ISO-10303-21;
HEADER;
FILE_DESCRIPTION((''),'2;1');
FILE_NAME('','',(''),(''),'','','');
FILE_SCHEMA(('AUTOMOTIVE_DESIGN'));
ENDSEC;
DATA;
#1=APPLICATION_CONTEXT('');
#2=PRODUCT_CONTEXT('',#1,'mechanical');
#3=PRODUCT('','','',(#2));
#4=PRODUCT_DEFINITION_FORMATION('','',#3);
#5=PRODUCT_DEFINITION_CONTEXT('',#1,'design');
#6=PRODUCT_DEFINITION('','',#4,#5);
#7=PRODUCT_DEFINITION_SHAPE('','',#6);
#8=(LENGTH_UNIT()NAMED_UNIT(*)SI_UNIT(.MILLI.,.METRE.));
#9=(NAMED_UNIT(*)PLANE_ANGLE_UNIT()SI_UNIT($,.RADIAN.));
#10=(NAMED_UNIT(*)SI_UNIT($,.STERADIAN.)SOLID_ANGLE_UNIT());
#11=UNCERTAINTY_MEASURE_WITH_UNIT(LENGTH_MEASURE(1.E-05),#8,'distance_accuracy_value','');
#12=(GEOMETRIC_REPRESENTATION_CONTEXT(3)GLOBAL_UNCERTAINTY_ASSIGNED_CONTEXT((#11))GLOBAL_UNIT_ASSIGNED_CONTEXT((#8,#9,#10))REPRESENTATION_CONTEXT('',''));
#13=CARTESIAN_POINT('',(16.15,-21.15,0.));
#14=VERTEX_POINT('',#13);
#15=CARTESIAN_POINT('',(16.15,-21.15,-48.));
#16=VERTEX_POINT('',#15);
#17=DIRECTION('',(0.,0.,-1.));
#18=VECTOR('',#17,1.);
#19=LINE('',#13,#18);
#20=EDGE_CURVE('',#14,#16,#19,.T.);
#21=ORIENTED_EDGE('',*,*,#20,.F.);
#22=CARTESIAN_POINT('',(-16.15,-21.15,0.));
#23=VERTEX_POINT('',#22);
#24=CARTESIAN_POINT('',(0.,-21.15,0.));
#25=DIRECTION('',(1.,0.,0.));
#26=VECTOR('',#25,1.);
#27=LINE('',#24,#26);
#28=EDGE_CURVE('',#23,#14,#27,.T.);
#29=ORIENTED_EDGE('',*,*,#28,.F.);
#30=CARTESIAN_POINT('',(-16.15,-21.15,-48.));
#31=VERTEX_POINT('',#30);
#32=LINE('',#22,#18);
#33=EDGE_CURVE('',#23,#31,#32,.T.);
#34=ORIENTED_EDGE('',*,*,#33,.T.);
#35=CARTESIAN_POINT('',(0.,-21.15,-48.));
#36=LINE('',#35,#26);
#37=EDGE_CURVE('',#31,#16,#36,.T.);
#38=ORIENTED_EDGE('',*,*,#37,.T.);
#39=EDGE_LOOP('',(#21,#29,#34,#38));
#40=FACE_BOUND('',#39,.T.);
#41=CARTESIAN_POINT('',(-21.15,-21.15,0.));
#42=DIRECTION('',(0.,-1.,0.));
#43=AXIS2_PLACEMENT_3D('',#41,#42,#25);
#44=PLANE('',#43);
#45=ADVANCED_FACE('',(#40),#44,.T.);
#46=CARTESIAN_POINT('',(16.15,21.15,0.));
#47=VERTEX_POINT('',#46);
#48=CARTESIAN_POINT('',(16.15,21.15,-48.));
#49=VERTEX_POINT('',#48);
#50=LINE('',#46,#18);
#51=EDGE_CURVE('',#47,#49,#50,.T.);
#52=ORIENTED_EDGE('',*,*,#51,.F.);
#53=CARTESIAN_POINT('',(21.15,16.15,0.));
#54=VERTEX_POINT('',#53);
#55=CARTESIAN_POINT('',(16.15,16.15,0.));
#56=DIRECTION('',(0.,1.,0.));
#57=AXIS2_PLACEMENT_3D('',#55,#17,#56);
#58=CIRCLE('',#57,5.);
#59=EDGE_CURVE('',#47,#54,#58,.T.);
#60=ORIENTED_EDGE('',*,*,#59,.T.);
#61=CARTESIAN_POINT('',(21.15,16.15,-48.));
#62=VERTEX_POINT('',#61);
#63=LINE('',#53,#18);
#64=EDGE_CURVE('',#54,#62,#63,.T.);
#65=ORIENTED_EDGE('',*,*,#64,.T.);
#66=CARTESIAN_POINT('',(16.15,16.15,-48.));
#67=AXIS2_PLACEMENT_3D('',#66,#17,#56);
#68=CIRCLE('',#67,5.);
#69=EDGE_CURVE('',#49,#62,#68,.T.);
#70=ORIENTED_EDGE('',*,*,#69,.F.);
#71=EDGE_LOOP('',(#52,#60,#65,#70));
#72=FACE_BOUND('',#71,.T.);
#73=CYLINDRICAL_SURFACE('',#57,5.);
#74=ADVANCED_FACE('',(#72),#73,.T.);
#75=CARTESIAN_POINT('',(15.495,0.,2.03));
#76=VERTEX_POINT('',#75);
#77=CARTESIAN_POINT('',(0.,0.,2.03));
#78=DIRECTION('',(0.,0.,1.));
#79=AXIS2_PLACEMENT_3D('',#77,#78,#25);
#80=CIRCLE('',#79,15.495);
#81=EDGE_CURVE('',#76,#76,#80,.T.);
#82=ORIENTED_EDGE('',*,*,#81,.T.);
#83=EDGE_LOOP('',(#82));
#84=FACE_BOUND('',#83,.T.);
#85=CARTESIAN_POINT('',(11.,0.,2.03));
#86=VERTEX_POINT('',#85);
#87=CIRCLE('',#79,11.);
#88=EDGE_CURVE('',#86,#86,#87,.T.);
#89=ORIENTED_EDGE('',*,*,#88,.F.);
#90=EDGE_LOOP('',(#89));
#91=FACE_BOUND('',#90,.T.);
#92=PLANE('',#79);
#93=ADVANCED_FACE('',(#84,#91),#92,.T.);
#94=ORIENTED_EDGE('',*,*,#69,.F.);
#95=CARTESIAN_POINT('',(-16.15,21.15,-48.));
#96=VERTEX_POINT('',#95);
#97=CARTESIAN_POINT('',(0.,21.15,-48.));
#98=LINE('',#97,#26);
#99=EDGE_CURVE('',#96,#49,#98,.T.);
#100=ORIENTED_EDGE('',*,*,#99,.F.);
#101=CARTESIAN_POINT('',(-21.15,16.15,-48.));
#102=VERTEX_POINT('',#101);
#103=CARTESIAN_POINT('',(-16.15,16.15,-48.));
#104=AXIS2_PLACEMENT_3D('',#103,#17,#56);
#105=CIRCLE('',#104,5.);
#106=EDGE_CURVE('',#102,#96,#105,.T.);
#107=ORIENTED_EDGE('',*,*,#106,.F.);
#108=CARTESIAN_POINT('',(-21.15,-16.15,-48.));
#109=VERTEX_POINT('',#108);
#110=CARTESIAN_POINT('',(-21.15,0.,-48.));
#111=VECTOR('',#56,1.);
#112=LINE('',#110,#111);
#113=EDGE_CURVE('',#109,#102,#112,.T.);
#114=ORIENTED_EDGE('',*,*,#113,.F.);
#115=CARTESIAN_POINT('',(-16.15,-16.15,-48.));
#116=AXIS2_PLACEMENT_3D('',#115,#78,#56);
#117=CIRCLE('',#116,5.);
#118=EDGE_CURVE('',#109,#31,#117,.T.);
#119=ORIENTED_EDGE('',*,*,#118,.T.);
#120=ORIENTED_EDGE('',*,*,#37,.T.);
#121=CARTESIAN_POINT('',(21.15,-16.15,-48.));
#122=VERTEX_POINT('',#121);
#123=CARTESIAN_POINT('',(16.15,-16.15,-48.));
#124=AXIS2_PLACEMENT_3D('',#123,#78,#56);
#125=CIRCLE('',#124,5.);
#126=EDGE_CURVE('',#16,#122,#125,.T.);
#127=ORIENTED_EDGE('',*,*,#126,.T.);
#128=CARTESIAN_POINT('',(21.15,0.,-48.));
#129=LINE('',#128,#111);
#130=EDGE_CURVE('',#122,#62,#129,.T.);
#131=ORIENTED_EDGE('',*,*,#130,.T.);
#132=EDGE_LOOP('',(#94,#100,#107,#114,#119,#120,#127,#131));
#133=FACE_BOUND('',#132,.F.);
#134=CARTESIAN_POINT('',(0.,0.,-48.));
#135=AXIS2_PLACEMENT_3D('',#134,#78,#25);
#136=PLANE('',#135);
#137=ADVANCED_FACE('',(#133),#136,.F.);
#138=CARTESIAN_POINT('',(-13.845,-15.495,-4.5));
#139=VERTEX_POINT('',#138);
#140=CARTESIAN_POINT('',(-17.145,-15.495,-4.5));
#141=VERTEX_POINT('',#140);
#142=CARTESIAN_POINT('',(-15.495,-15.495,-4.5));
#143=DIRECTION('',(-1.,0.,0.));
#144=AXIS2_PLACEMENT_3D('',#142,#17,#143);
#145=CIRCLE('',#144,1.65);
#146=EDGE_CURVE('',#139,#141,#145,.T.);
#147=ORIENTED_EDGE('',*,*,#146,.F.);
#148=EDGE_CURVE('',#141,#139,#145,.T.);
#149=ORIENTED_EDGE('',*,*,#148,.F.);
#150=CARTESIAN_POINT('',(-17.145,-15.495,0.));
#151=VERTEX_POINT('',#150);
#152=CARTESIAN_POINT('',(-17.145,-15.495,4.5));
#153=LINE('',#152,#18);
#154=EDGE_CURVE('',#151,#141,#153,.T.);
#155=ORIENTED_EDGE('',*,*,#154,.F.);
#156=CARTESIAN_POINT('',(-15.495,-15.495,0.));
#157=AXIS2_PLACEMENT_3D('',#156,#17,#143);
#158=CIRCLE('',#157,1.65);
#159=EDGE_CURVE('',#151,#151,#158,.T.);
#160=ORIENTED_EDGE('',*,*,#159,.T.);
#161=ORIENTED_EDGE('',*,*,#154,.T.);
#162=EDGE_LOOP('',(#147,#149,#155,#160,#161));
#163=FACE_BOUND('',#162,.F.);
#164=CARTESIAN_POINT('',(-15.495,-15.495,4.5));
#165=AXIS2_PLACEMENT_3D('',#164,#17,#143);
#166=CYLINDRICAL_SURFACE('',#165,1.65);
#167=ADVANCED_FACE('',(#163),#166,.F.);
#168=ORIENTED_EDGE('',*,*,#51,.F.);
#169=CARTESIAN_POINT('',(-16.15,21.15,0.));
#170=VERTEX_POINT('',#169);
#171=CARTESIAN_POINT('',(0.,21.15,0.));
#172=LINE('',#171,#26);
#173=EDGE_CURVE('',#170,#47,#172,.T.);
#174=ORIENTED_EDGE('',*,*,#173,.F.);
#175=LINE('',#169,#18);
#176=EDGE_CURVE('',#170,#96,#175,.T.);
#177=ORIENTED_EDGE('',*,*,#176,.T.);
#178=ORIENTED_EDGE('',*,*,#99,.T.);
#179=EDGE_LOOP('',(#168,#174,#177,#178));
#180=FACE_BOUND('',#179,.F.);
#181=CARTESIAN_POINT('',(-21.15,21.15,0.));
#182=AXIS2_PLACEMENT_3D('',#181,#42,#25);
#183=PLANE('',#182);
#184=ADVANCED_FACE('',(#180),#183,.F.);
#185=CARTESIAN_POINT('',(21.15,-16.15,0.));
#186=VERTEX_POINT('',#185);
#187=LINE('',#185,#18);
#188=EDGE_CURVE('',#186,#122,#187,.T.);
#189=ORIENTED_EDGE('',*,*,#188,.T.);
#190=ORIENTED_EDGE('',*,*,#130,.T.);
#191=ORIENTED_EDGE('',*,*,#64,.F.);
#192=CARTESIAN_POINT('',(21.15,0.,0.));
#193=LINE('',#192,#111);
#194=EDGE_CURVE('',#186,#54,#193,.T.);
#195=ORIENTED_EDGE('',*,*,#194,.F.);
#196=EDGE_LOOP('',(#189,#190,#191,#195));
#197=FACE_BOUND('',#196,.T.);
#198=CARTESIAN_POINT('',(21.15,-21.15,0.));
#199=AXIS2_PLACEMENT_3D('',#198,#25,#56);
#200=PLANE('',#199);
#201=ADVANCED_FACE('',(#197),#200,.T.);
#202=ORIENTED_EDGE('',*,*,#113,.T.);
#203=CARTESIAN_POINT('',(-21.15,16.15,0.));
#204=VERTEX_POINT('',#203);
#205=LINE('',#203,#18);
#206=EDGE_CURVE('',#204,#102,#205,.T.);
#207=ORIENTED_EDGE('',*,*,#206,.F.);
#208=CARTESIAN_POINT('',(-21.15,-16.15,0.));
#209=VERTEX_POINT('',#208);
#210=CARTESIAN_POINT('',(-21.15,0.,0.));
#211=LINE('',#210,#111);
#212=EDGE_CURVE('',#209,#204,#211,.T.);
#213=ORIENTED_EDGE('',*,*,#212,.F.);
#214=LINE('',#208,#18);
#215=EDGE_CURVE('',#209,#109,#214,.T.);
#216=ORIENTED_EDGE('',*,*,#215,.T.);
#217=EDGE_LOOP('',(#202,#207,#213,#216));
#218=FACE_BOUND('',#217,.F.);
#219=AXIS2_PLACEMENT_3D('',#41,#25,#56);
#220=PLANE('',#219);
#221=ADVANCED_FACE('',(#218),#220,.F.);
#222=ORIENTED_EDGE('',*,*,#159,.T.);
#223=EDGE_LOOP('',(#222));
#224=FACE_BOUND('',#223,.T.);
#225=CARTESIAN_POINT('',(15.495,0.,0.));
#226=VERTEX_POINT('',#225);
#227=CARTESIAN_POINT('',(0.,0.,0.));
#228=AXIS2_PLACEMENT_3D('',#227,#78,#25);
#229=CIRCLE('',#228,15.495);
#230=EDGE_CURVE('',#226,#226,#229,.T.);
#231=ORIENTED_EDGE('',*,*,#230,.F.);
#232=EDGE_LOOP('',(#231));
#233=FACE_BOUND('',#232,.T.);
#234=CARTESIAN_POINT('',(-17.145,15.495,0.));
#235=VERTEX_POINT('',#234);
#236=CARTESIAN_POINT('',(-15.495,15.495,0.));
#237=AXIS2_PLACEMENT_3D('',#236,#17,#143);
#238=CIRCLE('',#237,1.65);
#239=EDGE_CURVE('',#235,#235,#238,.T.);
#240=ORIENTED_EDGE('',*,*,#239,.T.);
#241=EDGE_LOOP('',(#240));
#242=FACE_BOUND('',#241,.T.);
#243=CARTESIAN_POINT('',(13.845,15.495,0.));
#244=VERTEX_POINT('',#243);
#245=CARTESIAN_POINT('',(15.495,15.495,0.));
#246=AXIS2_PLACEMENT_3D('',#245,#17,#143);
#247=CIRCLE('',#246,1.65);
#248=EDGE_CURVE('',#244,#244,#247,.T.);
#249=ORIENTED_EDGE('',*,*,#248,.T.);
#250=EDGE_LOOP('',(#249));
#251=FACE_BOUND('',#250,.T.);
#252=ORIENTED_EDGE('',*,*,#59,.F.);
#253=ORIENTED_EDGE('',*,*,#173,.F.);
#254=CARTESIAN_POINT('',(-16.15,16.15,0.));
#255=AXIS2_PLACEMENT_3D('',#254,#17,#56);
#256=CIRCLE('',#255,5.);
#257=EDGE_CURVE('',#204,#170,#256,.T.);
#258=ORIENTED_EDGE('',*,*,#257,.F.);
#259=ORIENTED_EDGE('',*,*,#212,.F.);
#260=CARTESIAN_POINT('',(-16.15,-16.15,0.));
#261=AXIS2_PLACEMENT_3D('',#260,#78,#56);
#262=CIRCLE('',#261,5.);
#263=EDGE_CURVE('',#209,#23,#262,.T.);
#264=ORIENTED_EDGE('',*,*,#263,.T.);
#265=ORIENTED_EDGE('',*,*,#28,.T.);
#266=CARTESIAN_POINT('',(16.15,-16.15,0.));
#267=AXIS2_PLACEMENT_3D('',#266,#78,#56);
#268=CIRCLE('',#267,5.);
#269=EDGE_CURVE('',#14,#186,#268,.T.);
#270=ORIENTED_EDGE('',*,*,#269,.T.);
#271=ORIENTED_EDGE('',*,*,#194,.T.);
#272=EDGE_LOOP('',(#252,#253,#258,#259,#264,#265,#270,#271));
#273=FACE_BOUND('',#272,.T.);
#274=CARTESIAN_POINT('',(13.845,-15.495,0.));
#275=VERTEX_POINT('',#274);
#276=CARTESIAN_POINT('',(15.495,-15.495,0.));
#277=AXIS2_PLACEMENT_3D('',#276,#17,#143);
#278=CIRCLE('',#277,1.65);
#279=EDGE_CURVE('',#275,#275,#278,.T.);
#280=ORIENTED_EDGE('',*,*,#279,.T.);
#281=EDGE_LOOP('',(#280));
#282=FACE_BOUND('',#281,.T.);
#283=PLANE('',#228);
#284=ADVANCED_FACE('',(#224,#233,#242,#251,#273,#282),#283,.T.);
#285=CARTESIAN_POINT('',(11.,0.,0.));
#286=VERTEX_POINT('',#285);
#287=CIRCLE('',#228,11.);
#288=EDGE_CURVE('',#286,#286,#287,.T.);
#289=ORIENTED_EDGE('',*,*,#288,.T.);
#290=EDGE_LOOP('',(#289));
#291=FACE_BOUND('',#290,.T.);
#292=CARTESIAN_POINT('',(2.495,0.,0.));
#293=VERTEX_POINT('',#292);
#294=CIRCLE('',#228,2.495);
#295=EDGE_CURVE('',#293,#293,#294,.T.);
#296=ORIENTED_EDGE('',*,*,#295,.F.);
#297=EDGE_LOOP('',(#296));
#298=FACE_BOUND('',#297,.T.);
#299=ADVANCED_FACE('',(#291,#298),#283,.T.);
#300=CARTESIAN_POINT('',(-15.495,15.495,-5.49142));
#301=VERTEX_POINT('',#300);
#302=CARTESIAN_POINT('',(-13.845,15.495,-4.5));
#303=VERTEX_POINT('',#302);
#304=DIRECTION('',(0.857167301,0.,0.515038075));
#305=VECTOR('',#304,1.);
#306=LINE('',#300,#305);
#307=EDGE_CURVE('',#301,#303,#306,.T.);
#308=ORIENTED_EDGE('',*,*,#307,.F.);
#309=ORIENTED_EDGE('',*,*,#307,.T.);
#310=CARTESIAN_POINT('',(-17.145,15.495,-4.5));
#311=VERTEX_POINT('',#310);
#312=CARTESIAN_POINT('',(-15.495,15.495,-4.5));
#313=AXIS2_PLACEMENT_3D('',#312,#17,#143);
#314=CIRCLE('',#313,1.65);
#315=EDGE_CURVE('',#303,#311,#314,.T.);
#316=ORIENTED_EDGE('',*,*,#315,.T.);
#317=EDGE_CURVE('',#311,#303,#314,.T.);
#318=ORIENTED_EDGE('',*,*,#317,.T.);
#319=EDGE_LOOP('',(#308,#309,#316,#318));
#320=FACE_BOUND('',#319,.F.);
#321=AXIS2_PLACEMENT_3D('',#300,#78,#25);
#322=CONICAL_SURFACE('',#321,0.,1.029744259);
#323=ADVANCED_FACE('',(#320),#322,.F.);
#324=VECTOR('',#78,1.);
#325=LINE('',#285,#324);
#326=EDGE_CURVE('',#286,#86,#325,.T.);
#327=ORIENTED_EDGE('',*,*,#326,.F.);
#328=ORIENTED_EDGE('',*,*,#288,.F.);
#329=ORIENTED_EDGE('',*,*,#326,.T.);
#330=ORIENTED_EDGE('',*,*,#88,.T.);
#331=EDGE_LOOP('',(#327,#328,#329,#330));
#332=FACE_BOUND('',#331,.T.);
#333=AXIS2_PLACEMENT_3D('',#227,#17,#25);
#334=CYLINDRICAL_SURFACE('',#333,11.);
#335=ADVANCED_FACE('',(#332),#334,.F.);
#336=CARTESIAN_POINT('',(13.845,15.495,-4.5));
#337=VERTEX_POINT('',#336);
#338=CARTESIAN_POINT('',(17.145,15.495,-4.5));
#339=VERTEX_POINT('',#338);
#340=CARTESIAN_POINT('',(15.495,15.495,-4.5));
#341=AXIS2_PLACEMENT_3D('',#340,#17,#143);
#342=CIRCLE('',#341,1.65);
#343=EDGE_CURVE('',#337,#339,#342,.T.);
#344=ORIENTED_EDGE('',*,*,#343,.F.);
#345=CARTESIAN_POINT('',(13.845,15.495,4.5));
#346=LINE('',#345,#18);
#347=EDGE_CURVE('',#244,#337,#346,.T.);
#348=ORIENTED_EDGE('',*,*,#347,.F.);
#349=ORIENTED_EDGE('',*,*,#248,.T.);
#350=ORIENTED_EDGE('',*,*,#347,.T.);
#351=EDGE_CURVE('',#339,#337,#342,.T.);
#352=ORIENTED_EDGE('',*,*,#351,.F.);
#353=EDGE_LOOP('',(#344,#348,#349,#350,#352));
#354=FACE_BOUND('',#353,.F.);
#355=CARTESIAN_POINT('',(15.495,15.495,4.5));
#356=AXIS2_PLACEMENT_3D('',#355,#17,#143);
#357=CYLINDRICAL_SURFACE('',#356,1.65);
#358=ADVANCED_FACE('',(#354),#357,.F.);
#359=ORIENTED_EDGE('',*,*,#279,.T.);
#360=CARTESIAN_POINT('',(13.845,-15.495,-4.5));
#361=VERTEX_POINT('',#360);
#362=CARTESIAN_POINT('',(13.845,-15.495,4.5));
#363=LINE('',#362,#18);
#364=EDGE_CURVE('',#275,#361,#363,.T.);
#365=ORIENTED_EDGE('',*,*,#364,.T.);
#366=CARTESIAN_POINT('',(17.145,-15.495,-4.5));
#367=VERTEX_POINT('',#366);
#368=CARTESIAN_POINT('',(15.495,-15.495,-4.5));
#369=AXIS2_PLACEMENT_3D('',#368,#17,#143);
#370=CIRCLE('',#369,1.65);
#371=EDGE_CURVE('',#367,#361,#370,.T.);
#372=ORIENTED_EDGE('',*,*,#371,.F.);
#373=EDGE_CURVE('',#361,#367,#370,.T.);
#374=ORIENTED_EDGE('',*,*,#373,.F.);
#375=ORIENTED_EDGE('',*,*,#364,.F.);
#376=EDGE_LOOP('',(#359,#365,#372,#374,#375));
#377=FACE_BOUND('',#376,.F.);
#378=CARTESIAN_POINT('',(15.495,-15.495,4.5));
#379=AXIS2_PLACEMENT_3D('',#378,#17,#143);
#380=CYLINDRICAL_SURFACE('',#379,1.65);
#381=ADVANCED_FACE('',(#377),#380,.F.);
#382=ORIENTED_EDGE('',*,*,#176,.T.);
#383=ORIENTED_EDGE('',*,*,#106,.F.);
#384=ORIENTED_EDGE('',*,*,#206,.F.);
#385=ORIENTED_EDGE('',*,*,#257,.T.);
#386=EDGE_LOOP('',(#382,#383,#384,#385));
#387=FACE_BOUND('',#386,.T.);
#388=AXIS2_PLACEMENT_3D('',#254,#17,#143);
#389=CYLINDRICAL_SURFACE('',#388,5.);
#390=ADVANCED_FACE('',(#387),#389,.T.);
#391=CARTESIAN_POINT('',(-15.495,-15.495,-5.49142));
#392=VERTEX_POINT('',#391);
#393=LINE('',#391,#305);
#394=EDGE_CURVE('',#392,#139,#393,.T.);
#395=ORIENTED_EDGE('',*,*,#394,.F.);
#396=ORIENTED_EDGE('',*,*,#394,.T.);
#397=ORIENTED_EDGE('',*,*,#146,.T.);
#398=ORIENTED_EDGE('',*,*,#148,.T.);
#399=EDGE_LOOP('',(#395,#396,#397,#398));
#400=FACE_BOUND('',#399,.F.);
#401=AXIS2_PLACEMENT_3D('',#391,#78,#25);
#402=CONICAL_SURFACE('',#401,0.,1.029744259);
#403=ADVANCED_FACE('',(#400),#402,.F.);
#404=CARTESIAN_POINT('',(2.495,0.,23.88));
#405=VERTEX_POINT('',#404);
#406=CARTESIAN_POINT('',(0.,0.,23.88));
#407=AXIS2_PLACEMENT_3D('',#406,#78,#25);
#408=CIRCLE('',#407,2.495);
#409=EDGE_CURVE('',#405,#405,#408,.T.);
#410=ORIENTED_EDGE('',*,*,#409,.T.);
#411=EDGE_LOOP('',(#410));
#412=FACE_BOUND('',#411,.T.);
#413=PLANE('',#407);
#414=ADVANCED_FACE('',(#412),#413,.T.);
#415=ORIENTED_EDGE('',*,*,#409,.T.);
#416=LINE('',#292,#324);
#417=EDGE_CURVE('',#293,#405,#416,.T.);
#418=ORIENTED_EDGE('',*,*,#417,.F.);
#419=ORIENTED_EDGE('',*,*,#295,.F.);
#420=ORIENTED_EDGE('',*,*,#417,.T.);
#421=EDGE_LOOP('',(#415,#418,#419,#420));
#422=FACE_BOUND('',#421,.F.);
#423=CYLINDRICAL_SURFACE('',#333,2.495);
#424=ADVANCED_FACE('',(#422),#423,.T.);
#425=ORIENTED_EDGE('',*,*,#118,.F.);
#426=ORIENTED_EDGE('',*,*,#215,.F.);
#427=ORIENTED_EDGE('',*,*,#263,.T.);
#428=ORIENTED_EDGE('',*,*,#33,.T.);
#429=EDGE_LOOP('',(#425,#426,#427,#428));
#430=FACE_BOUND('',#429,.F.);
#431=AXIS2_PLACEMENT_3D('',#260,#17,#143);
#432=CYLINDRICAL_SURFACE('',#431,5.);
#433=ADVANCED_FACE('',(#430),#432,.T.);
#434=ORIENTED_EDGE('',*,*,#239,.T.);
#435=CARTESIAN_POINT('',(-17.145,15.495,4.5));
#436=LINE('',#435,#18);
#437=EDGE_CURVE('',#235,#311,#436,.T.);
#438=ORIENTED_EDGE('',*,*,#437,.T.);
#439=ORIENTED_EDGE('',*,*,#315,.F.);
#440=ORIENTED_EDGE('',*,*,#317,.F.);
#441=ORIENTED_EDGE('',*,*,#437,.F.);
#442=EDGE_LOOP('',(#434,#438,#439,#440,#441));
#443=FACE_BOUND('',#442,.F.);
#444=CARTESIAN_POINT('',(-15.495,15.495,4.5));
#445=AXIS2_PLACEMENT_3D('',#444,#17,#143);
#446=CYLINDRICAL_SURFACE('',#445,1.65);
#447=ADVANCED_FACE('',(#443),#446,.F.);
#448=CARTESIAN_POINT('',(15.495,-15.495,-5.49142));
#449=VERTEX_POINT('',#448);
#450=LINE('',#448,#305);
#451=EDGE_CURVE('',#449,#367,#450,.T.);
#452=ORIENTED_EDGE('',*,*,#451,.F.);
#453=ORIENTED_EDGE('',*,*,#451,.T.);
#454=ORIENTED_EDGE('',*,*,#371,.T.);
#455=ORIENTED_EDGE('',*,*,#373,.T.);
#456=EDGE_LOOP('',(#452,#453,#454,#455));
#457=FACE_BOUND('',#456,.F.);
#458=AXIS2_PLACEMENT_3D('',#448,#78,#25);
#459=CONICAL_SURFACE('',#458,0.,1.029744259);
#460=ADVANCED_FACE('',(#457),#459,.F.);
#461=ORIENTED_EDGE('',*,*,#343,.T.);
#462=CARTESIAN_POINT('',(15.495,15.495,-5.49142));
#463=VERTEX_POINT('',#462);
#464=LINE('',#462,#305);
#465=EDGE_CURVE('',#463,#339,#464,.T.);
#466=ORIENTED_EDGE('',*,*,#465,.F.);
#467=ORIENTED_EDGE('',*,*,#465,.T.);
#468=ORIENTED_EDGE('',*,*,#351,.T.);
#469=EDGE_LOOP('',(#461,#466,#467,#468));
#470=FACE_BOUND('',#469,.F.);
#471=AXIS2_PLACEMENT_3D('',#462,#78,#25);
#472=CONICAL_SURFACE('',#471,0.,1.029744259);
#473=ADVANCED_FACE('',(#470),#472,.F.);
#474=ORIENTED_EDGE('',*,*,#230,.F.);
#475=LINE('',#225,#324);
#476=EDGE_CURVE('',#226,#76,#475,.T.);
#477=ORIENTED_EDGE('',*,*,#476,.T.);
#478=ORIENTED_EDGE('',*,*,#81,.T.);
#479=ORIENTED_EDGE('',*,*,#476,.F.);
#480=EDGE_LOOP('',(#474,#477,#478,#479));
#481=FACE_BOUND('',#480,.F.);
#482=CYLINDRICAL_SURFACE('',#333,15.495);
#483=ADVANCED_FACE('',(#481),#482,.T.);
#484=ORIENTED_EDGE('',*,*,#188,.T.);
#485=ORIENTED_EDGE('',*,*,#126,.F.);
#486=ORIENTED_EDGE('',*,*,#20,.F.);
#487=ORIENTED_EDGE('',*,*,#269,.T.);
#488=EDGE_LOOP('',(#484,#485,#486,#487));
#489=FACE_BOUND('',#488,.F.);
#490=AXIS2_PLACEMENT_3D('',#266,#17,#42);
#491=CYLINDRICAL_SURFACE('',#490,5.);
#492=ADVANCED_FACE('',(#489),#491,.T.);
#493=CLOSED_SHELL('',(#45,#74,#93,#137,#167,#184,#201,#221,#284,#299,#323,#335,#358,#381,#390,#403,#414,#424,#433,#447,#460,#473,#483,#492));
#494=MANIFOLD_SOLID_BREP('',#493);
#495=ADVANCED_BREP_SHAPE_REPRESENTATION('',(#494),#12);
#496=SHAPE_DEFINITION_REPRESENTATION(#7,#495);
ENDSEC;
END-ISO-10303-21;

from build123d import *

# Parameters (mm, degrees)
F0_W     = 42.3
F0_H     = 42.3
F1_DEPTH = 48
F2_D     = 3.3
F2_DEPTH = 4.5
F2_TIP   = 0.9914200214
F3_R     = 5
F4_R     = 15.495
F4_R_2   = 11
F5_DEPTH = 2.03
F6_R     = 2.495
F7_DEPTH = 23.88


with BuildPart() as f1:
    # F0 (on Top) → F1 (new body)
    with BuildSketch(Plane.XY):
        Rectangle(F0_W, F0_H)
    extrude(amount=-F1_DEPTH)

    # F2
    with Locations(Plane.XY):
        with Locations((-15.495, 15.495), (-15.495, -15.495), (15.495, -15.495), (15.495, 15.495)):
            Hole(F2_D / 2, depth=F2_DEPTH)
            with Locations((0, 0, -(F2_DEPTH + F2_TIP / 2))):  # 118° drill point
                Cone(0, F2_D / 2, F2_TIP, mode=Mode.SUBTRACT)

    # F3
    f3_edges = [f1.edges().sort_by_distance(p)[0] for p in [
        (-21.15, 21.15, -24),
        (-21.15, -21.15, -24),
        (21.15, -21.15, -24),
        (21.15, 21.15, -24),
    ]]
    fillet(f3_edges, radius=F3_R)

    # F4 (on face) → F5 (join)
    with BuildSketch(Plane.XY):
        Circle(F4_R)
        Circle(F4_R_2, mode=Mode.SUBTRACT)
    extrude(amount=F5_DEPTH)

    # F6 (on face) → F7 (join)
    with BuildSketch(Plane.XY):
        Circle(F6_R)
    extrude(amount=F7_DEPTH)


solid = f1.part
